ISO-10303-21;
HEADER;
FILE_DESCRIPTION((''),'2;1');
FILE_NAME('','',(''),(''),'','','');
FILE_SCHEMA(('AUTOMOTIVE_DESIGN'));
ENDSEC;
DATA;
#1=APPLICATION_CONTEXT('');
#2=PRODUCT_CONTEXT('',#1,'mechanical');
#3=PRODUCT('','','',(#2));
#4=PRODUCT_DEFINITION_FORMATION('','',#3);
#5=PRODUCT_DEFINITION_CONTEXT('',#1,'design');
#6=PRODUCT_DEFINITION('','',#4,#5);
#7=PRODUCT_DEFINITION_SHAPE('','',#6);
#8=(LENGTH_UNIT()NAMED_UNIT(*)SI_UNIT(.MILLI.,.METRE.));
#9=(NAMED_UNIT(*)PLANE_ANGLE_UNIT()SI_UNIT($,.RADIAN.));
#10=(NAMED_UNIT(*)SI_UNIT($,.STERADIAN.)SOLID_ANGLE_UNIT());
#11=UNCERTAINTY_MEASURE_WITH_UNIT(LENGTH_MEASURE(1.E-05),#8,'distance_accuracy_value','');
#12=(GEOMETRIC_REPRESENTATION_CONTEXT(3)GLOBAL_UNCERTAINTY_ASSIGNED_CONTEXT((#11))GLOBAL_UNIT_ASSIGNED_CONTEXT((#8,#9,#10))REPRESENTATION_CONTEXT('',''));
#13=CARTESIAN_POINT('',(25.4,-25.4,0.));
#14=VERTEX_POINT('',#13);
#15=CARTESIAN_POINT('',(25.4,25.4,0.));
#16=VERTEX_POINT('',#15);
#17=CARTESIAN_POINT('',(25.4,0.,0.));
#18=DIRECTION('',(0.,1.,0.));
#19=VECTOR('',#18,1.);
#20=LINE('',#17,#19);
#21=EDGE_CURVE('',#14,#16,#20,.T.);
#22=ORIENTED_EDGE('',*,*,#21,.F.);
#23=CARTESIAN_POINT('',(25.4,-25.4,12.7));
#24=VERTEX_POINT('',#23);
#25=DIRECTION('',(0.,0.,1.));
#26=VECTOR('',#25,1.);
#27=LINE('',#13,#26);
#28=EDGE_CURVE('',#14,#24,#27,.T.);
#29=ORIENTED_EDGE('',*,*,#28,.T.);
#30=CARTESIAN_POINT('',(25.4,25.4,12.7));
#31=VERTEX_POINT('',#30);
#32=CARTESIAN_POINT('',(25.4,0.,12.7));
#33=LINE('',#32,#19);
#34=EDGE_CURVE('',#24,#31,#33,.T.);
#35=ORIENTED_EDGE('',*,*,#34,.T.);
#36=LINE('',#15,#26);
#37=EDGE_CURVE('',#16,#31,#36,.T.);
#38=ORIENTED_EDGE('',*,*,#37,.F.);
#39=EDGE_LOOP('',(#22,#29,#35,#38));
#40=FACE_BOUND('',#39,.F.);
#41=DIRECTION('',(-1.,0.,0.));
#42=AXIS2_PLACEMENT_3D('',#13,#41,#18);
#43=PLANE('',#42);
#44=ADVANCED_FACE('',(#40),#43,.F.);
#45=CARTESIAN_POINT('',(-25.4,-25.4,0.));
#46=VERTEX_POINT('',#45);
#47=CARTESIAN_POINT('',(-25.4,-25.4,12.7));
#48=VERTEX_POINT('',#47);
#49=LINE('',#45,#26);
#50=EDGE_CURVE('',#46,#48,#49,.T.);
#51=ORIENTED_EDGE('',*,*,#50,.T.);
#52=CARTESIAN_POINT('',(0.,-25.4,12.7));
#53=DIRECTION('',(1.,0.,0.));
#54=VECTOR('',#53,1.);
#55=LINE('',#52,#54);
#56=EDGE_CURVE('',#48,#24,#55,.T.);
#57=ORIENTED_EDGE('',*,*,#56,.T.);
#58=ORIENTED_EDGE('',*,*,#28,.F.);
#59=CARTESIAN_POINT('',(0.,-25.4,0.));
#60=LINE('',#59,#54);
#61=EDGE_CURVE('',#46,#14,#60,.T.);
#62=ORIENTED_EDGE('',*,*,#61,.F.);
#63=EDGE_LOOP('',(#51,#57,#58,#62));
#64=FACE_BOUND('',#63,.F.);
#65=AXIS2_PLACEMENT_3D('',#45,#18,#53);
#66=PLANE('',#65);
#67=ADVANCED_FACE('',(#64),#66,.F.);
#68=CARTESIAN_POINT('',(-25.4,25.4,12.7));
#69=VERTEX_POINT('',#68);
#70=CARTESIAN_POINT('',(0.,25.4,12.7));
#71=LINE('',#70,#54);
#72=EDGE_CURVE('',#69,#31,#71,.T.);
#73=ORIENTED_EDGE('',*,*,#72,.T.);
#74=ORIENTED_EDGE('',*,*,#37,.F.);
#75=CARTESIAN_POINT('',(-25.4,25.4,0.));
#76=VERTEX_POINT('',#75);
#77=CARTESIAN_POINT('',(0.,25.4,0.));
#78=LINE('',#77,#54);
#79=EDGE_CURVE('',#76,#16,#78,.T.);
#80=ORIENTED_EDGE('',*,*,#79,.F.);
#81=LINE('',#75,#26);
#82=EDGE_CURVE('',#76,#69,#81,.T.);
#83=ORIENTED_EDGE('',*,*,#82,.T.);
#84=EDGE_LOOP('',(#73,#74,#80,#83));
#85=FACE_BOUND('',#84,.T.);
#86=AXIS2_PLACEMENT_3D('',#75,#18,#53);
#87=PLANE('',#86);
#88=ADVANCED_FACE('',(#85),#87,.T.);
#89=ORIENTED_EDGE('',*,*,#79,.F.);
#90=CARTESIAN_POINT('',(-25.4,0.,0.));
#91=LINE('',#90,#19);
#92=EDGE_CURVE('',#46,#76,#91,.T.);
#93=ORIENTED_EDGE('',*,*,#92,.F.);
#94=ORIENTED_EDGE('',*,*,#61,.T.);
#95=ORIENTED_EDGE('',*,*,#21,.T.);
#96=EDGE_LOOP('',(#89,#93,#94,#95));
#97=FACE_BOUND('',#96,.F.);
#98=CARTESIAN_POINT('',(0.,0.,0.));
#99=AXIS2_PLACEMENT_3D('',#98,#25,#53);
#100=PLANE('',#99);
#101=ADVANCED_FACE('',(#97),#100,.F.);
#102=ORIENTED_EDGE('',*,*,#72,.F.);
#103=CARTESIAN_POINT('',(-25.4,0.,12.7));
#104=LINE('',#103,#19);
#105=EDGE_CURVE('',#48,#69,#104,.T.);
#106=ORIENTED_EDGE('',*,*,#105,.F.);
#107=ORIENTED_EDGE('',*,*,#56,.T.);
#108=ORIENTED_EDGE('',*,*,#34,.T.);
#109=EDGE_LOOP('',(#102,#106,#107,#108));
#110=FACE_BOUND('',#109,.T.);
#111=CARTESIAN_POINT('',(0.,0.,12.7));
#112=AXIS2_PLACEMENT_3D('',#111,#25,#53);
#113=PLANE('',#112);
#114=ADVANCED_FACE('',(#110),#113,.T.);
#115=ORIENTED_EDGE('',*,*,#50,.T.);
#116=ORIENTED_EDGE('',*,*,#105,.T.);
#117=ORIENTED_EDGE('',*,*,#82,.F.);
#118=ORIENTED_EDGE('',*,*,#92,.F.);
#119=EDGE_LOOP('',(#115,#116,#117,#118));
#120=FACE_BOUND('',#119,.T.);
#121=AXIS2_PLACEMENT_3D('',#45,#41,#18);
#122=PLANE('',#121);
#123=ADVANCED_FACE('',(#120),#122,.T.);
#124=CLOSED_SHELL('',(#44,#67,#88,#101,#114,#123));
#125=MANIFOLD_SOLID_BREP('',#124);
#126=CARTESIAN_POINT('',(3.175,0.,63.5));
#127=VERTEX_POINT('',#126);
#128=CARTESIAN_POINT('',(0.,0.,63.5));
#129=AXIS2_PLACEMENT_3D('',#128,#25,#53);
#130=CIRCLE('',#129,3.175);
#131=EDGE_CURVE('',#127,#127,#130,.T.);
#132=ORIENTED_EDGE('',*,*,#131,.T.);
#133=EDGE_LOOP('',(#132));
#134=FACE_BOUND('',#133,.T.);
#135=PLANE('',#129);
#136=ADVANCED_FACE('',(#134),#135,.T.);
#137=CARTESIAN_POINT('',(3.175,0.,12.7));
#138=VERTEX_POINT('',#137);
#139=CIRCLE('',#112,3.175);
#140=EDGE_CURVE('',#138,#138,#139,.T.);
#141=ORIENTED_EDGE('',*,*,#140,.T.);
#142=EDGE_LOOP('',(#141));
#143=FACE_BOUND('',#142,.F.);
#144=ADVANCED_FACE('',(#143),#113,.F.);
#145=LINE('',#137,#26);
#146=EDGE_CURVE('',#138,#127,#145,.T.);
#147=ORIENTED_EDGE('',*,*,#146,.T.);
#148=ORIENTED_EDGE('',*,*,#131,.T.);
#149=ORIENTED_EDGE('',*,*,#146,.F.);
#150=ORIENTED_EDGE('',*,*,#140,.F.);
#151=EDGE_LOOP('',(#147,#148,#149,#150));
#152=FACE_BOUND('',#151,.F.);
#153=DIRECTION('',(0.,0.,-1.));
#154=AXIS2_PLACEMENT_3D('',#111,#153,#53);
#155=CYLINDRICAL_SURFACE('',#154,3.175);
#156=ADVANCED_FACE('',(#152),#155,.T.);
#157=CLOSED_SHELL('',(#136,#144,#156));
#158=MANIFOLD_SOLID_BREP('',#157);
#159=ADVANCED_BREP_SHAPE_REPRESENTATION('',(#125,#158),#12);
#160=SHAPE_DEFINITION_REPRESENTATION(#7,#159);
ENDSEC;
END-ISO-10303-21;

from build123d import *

# Parameters (mm, degrees)
F0_W     = 50.8
F0_H     = 50.8
F1_DEPTH = 12.7
F2_R     = 3.175
F3_DEPTH = 50.8


with BuildPart() as f1:
    # F0 (on Top) → F1 (new body)
    with BuildSketch(Plane.XY):
        Rectangle(F0_W, F0_H)
    extrude(amount=F1_DEPTH)


with BuildPart() as f3:
    # F2 (on face) → F3 (new body)
    with BuildSketch(Plane.XY.offset(12.7)):
        Circle(F2_R)
    extrude(amount=F3_DEPTH)


solid = Compound([f1.part, f3.part])
